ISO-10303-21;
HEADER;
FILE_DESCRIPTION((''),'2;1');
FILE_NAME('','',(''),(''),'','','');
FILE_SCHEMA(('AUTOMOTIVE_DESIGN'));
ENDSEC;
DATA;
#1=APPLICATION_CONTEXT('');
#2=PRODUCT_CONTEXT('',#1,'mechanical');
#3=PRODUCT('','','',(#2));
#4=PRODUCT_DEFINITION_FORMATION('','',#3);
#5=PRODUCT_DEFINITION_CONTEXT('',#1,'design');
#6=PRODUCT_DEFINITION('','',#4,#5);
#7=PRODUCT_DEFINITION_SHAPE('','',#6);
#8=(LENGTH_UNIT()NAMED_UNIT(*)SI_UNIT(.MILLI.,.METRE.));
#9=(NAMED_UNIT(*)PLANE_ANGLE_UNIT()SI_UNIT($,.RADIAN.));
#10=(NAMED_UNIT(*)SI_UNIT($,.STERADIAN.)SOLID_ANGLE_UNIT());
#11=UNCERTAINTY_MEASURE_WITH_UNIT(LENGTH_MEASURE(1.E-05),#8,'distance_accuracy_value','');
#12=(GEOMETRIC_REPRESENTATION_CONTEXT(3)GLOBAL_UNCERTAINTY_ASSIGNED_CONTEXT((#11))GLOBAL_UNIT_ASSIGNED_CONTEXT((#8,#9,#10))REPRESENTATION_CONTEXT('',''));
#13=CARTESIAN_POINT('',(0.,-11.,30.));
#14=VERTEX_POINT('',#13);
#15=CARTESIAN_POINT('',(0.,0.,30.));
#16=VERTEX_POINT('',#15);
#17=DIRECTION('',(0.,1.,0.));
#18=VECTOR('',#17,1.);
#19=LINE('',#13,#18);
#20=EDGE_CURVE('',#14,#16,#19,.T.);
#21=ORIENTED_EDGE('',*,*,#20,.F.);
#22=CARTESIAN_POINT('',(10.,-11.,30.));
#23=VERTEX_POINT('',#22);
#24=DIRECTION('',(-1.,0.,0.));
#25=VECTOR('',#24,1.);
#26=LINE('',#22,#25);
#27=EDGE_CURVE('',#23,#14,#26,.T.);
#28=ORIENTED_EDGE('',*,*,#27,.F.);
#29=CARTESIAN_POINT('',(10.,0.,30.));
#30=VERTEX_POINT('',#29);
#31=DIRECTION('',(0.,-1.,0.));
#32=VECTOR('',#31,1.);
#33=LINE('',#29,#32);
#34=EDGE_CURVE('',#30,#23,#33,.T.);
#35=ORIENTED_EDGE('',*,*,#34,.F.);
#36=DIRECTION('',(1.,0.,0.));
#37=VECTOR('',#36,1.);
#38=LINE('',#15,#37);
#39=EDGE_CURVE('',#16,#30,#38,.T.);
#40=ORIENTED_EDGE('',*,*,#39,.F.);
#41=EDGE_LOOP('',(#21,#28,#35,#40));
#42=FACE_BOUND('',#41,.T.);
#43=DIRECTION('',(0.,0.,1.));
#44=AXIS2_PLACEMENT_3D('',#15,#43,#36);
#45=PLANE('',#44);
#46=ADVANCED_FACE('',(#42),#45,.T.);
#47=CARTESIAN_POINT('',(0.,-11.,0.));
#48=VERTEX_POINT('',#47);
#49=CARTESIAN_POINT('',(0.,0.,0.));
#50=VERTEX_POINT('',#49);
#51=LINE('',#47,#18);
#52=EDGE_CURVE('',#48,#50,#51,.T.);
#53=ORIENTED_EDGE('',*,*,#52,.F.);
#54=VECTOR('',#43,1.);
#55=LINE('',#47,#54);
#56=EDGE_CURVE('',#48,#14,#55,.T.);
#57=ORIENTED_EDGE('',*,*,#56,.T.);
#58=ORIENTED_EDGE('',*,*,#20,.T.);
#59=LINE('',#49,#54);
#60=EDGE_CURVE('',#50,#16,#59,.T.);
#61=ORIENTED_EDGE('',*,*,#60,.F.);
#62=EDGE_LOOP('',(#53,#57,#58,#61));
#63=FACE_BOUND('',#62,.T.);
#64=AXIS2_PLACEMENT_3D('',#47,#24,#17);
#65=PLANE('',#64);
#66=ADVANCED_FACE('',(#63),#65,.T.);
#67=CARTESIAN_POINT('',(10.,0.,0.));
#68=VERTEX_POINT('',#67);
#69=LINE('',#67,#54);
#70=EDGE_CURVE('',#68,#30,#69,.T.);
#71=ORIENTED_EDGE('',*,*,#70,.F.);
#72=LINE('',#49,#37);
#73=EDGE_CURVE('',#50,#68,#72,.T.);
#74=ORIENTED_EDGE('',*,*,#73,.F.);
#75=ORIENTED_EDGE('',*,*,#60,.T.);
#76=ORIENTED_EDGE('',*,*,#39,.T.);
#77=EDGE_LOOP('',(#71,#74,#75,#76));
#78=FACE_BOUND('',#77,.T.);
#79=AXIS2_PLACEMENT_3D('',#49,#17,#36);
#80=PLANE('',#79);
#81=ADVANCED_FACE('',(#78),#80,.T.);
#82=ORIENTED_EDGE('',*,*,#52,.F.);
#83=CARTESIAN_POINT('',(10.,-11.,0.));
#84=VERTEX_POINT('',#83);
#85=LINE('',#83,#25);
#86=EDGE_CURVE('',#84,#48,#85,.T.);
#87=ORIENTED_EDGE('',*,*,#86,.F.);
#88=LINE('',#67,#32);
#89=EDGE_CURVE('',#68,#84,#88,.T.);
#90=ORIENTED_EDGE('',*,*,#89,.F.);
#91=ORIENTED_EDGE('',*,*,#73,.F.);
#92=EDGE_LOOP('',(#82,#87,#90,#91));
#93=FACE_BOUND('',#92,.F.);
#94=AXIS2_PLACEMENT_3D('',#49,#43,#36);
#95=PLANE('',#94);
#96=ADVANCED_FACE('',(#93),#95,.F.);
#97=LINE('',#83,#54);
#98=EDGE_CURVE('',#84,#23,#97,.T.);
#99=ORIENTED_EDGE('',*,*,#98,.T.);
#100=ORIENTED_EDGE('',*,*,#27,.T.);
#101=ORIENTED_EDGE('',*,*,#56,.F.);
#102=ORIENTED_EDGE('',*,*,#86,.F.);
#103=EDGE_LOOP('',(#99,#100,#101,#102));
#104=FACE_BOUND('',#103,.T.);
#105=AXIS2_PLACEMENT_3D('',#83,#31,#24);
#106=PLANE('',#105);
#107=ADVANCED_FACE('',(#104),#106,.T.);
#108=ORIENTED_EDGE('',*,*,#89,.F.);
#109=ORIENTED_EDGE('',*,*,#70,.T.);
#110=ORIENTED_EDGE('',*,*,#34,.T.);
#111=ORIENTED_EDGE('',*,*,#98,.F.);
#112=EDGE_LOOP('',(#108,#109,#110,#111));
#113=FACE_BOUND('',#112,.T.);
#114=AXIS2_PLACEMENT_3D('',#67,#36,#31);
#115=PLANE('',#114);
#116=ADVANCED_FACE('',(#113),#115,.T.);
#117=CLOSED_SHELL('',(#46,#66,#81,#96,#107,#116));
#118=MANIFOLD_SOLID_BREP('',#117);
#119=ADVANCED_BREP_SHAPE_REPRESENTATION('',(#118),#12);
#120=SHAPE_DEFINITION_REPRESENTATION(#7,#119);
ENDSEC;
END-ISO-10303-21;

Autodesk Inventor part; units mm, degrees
ref_plane "YZ Plane" through (0, 0, 0) normal (1, 0, 0) x (0, 1, 0)
ref_plane "XZ Plane" through (0, 0, 0) normal (0, 1, 0) x (-1, 0, 0)
ref_plane "XY Plane" through (0, 0, 0) normal (0, 0, 1) x (1, 0, 0)
sketch "Sketch1" plane through (0, 0, 0) normal (0, 0, 1) x (1, 0, 0)
  line L0 (0, 0) -> (10, 0)
  line L1 (10, 0) -> (10, -11)
  line L2 (10, -11) -> (0, -11)
  line L3 (0, -11) -> (0, 0)
  dimension "d0" = 10
  dimension "d1" = 11
extrude "Extrusion1" add sketch "Sketch1" along normal blind 30
properties part number "Bottom Rack V2"
